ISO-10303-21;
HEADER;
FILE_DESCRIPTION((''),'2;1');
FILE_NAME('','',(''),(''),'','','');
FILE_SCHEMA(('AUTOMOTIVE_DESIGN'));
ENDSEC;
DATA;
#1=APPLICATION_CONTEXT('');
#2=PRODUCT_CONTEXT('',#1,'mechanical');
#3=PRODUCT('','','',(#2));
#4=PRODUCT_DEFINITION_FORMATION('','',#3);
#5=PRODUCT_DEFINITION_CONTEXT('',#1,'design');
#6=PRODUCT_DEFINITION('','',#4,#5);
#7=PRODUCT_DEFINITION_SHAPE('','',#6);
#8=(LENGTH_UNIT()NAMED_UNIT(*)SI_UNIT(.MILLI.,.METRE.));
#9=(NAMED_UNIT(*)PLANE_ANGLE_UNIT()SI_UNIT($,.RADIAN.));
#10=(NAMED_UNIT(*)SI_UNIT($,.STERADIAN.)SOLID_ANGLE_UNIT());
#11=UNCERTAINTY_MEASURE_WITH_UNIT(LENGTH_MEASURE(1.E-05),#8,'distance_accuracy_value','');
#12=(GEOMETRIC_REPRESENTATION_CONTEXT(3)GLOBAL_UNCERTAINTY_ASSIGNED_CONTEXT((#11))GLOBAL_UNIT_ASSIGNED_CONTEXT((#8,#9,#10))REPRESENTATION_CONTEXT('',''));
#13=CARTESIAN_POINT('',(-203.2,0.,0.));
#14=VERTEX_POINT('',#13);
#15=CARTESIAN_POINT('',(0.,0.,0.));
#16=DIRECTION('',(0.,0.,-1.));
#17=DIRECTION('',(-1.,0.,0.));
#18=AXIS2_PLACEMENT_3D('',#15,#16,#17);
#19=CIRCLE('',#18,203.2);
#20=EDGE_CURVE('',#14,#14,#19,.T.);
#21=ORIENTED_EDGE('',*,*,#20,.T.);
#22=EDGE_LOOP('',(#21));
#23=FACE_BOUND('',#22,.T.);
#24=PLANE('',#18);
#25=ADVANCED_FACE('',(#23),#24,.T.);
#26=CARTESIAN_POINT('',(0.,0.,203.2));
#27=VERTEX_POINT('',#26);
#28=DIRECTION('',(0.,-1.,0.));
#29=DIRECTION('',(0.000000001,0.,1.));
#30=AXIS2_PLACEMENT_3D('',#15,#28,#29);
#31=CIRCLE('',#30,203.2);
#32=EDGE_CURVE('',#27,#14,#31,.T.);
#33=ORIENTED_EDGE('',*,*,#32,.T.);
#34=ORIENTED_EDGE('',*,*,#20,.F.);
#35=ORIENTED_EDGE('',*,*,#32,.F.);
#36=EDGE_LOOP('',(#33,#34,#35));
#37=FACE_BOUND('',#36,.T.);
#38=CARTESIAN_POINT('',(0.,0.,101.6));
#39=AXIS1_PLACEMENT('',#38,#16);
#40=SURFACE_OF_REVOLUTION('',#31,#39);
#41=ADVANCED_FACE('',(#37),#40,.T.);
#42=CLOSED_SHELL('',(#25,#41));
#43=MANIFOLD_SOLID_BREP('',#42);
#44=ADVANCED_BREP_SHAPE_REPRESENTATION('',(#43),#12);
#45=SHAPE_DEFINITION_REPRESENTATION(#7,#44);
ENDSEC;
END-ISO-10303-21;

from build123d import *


with BuildPart() as f1:
    # F0 (on Front) → F1 (revolve)
    with BuildSketch(Plane.XZ):
        with BuildLine():
            ThreePointArc((0, 203.2), (-143.684098, 143.684098), (-203.2, 0))
            Line((-203.2, 0), (0, 0))
            Line((0, 0), (0, 203.2))
        make_face()
    revolve(axis=Axis((0, 0, 101.6), (0, 0, -1)))


solid = f1.part
